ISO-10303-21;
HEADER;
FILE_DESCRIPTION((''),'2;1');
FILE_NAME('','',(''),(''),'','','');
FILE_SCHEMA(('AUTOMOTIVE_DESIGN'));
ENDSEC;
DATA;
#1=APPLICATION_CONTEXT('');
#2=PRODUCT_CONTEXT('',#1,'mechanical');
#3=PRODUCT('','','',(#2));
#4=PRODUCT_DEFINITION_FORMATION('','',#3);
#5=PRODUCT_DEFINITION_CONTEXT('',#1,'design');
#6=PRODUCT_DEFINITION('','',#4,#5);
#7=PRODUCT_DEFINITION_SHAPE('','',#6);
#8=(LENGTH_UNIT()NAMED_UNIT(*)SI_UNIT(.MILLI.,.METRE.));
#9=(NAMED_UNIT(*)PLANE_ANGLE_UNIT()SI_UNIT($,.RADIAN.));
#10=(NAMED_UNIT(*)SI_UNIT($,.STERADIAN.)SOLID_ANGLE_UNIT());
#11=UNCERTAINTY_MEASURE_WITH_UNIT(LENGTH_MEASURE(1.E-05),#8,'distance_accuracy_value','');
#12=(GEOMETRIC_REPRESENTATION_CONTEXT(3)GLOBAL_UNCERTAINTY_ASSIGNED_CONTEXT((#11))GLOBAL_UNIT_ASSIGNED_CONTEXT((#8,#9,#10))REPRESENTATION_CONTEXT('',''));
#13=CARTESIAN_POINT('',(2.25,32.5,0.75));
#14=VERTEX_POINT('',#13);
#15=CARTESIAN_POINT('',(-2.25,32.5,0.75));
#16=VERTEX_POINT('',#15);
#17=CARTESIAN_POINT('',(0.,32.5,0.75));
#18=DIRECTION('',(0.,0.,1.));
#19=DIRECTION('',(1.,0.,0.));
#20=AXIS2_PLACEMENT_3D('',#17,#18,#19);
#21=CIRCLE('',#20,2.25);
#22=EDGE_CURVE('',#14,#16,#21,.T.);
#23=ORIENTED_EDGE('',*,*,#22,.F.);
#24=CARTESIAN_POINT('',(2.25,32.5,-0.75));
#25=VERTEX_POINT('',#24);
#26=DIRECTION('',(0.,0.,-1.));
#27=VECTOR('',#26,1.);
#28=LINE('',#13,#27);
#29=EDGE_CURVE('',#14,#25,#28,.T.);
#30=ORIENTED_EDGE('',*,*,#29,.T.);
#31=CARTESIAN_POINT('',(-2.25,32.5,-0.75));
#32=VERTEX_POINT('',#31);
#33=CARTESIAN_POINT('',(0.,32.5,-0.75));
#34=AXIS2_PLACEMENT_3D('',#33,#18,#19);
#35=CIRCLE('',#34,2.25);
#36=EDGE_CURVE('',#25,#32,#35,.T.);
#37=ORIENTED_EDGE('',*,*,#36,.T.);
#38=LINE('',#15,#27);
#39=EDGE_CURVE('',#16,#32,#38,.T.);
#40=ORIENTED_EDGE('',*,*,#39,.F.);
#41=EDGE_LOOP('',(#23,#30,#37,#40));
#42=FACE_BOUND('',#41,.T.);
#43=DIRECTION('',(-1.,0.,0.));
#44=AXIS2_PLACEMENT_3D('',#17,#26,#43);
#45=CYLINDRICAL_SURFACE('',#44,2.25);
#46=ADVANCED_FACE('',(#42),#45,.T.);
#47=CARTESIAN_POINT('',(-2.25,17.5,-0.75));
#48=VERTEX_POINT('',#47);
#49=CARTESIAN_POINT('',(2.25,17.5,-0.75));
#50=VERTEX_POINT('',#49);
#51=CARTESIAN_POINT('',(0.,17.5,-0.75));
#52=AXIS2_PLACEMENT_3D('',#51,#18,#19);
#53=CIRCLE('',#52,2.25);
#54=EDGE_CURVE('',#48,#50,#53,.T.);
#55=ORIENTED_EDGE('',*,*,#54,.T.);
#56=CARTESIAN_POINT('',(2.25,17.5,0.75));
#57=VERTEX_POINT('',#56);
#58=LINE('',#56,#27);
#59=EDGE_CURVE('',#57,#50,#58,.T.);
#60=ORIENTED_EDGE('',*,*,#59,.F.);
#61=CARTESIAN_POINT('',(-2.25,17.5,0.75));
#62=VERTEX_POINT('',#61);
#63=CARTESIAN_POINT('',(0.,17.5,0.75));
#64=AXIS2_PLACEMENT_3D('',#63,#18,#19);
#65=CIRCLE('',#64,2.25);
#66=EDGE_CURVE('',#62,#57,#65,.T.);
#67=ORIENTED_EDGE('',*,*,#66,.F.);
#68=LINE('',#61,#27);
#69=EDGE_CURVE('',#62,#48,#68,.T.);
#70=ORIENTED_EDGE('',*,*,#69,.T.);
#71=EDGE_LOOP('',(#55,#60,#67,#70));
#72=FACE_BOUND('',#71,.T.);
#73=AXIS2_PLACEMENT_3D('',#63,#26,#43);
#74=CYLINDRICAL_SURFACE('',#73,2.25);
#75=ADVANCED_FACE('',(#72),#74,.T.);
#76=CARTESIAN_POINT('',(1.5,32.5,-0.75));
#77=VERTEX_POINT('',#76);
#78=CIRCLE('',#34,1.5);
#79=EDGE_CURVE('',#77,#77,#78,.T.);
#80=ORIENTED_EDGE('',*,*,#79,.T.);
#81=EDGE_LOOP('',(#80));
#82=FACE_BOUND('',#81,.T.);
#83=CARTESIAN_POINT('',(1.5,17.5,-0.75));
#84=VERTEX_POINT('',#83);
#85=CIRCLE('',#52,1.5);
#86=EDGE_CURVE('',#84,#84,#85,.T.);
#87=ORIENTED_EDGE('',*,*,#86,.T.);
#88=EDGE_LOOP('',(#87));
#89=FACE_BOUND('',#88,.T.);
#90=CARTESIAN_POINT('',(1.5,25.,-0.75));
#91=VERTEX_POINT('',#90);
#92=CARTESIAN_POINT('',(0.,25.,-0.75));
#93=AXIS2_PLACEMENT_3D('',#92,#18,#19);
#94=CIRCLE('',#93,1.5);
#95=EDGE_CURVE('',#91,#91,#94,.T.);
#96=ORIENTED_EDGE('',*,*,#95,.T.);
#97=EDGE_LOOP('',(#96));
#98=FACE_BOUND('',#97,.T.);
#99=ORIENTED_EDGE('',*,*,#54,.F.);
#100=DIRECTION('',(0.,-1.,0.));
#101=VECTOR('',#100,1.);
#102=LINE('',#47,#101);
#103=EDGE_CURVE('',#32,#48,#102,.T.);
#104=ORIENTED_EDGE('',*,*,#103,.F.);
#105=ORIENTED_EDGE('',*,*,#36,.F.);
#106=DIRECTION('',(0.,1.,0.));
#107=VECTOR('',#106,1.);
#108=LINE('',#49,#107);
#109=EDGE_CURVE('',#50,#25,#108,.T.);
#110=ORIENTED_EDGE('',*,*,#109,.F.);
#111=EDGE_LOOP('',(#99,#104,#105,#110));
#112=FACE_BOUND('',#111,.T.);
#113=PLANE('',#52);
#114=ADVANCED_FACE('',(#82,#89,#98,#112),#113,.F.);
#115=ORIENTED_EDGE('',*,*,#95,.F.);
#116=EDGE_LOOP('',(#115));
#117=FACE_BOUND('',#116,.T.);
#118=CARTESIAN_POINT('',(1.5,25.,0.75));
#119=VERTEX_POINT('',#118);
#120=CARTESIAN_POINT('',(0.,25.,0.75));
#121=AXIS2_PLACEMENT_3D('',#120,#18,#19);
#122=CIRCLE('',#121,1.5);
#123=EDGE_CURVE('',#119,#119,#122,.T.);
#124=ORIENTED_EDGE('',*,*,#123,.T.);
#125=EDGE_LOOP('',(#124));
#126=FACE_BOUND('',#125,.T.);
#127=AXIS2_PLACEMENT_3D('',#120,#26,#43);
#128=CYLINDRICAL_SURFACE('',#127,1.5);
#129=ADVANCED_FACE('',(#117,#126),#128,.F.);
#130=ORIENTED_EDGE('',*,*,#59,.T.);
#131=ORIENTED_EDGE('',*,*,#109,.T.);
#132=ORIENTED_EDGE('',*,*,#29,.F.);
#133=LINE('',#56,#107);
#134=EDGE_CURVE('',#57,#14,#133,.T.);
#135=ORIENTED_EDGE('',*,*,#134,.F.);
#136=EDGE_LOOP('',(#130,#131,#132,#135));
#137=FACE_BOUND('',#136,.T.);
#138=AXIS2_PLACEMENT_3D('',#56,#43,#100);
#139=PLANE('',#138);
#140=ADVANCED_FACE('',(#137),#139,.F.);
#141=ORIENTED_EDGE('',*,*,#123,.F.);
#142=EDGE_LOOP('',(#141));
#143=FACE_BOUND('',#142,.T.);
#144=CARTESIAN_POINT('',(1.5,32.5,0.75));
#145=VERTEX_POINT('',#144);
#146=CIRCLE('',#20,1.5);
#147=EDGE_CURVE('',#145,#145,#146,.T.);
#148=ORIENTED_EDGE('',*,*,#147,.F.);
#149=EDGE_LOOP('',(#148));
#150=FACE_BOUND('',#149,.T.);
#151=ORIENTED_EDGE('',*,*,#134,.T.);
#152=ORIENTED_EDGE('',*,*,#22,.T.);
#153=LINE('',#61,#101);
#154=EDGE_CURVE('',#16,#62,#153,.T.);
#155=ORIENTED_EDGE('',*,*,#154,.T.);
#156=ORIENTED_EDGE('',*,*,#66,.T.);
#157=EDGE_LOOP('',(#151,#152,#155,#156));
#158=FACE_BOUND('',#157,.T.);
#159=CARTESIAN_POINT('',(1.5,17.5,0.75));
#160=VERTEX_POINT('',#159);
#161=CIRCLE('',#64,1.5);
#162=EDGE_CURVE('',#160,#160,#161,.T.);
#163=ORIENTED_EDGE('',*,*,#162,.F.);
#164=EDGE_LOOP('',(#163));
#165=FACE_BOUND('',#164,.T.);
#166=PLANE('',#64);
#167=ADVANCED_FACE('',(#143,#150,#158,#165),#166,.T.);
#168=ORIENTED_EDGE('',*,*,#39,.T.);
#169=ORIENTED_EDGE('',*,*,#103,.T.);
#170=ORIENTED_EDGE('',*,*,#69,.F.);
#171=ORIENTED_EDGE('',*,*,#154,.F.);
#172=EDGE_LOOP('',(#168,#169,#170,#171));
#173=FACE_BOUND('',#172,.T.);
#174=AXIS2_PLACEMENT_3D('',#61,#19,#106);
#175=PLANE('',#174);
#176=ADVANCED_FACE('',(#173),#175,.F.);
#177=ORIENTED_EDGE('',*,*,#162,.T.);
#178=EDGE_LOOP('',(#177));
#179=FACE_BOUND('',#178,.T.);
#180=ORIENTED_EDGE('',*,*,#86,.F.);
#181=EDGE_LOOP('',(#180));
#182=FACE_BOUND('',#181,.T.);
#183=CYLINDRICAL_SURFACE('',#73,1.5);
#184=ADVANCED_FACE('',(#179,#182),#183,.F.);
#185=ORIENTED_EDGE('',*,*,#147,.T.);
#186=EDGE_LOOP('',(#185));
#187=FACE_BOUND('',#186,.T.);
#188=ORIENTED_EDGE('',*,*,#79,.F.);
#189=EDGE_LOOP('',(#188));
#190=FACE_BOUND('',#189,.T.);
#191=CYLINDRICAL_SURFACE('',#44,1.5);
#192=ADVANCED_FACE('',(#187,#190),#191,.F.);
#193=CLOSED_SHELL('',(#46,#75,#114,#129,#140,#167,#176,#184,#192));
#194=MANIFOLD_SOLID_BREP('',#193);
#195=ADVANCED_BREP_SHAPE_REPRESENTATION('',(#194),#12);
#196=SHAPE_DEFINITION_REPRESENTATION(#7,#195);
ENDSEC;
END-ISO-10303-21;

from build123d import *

# Parameters (mm, degrees)
SKETCH1_R           = 5
BOSS_EXTRUDE1_DEPTH = 2.5
SCALE1_SCALE        = 0.3


with BuildPart() as part:
    # Sketch1 → Boss-Extrude1 (new body, symmetric)
    with BuildSketch(Plane.XY):
        with BuildLine():
            Line((-7.5, 0), (-7.5, 50))
            ThreePointArc((-7.5, 50), (0, 57.5), (7.5, 50))
            Line((7.5, 50), (7.5, 0))
            ThreePointArc((7.5, 0), (0, -7.5), (-7.5, 0))
        make_face()
        with Locations((0, 50)):
            Circle(SKETCH1_R, mode=Mode.SUBTRACT)
        with Locations((0, 25)):
            Circle(SKETCH1_R, mode=Mode.SUBTRACT)
        Circle(SKETCH1_R, mode=Mode.SUBTRACT)
    extrude(amount=BOSS_EXTRUDE1_DEPTH, both=True)


with BuildPart() as part_1:
    # Scale1: scaled about (0, 25, 0)
    add(part.part.scale(SCALE1_SCALE).moved(Location((0, 17.5, 0))))


solid = part_1.part
